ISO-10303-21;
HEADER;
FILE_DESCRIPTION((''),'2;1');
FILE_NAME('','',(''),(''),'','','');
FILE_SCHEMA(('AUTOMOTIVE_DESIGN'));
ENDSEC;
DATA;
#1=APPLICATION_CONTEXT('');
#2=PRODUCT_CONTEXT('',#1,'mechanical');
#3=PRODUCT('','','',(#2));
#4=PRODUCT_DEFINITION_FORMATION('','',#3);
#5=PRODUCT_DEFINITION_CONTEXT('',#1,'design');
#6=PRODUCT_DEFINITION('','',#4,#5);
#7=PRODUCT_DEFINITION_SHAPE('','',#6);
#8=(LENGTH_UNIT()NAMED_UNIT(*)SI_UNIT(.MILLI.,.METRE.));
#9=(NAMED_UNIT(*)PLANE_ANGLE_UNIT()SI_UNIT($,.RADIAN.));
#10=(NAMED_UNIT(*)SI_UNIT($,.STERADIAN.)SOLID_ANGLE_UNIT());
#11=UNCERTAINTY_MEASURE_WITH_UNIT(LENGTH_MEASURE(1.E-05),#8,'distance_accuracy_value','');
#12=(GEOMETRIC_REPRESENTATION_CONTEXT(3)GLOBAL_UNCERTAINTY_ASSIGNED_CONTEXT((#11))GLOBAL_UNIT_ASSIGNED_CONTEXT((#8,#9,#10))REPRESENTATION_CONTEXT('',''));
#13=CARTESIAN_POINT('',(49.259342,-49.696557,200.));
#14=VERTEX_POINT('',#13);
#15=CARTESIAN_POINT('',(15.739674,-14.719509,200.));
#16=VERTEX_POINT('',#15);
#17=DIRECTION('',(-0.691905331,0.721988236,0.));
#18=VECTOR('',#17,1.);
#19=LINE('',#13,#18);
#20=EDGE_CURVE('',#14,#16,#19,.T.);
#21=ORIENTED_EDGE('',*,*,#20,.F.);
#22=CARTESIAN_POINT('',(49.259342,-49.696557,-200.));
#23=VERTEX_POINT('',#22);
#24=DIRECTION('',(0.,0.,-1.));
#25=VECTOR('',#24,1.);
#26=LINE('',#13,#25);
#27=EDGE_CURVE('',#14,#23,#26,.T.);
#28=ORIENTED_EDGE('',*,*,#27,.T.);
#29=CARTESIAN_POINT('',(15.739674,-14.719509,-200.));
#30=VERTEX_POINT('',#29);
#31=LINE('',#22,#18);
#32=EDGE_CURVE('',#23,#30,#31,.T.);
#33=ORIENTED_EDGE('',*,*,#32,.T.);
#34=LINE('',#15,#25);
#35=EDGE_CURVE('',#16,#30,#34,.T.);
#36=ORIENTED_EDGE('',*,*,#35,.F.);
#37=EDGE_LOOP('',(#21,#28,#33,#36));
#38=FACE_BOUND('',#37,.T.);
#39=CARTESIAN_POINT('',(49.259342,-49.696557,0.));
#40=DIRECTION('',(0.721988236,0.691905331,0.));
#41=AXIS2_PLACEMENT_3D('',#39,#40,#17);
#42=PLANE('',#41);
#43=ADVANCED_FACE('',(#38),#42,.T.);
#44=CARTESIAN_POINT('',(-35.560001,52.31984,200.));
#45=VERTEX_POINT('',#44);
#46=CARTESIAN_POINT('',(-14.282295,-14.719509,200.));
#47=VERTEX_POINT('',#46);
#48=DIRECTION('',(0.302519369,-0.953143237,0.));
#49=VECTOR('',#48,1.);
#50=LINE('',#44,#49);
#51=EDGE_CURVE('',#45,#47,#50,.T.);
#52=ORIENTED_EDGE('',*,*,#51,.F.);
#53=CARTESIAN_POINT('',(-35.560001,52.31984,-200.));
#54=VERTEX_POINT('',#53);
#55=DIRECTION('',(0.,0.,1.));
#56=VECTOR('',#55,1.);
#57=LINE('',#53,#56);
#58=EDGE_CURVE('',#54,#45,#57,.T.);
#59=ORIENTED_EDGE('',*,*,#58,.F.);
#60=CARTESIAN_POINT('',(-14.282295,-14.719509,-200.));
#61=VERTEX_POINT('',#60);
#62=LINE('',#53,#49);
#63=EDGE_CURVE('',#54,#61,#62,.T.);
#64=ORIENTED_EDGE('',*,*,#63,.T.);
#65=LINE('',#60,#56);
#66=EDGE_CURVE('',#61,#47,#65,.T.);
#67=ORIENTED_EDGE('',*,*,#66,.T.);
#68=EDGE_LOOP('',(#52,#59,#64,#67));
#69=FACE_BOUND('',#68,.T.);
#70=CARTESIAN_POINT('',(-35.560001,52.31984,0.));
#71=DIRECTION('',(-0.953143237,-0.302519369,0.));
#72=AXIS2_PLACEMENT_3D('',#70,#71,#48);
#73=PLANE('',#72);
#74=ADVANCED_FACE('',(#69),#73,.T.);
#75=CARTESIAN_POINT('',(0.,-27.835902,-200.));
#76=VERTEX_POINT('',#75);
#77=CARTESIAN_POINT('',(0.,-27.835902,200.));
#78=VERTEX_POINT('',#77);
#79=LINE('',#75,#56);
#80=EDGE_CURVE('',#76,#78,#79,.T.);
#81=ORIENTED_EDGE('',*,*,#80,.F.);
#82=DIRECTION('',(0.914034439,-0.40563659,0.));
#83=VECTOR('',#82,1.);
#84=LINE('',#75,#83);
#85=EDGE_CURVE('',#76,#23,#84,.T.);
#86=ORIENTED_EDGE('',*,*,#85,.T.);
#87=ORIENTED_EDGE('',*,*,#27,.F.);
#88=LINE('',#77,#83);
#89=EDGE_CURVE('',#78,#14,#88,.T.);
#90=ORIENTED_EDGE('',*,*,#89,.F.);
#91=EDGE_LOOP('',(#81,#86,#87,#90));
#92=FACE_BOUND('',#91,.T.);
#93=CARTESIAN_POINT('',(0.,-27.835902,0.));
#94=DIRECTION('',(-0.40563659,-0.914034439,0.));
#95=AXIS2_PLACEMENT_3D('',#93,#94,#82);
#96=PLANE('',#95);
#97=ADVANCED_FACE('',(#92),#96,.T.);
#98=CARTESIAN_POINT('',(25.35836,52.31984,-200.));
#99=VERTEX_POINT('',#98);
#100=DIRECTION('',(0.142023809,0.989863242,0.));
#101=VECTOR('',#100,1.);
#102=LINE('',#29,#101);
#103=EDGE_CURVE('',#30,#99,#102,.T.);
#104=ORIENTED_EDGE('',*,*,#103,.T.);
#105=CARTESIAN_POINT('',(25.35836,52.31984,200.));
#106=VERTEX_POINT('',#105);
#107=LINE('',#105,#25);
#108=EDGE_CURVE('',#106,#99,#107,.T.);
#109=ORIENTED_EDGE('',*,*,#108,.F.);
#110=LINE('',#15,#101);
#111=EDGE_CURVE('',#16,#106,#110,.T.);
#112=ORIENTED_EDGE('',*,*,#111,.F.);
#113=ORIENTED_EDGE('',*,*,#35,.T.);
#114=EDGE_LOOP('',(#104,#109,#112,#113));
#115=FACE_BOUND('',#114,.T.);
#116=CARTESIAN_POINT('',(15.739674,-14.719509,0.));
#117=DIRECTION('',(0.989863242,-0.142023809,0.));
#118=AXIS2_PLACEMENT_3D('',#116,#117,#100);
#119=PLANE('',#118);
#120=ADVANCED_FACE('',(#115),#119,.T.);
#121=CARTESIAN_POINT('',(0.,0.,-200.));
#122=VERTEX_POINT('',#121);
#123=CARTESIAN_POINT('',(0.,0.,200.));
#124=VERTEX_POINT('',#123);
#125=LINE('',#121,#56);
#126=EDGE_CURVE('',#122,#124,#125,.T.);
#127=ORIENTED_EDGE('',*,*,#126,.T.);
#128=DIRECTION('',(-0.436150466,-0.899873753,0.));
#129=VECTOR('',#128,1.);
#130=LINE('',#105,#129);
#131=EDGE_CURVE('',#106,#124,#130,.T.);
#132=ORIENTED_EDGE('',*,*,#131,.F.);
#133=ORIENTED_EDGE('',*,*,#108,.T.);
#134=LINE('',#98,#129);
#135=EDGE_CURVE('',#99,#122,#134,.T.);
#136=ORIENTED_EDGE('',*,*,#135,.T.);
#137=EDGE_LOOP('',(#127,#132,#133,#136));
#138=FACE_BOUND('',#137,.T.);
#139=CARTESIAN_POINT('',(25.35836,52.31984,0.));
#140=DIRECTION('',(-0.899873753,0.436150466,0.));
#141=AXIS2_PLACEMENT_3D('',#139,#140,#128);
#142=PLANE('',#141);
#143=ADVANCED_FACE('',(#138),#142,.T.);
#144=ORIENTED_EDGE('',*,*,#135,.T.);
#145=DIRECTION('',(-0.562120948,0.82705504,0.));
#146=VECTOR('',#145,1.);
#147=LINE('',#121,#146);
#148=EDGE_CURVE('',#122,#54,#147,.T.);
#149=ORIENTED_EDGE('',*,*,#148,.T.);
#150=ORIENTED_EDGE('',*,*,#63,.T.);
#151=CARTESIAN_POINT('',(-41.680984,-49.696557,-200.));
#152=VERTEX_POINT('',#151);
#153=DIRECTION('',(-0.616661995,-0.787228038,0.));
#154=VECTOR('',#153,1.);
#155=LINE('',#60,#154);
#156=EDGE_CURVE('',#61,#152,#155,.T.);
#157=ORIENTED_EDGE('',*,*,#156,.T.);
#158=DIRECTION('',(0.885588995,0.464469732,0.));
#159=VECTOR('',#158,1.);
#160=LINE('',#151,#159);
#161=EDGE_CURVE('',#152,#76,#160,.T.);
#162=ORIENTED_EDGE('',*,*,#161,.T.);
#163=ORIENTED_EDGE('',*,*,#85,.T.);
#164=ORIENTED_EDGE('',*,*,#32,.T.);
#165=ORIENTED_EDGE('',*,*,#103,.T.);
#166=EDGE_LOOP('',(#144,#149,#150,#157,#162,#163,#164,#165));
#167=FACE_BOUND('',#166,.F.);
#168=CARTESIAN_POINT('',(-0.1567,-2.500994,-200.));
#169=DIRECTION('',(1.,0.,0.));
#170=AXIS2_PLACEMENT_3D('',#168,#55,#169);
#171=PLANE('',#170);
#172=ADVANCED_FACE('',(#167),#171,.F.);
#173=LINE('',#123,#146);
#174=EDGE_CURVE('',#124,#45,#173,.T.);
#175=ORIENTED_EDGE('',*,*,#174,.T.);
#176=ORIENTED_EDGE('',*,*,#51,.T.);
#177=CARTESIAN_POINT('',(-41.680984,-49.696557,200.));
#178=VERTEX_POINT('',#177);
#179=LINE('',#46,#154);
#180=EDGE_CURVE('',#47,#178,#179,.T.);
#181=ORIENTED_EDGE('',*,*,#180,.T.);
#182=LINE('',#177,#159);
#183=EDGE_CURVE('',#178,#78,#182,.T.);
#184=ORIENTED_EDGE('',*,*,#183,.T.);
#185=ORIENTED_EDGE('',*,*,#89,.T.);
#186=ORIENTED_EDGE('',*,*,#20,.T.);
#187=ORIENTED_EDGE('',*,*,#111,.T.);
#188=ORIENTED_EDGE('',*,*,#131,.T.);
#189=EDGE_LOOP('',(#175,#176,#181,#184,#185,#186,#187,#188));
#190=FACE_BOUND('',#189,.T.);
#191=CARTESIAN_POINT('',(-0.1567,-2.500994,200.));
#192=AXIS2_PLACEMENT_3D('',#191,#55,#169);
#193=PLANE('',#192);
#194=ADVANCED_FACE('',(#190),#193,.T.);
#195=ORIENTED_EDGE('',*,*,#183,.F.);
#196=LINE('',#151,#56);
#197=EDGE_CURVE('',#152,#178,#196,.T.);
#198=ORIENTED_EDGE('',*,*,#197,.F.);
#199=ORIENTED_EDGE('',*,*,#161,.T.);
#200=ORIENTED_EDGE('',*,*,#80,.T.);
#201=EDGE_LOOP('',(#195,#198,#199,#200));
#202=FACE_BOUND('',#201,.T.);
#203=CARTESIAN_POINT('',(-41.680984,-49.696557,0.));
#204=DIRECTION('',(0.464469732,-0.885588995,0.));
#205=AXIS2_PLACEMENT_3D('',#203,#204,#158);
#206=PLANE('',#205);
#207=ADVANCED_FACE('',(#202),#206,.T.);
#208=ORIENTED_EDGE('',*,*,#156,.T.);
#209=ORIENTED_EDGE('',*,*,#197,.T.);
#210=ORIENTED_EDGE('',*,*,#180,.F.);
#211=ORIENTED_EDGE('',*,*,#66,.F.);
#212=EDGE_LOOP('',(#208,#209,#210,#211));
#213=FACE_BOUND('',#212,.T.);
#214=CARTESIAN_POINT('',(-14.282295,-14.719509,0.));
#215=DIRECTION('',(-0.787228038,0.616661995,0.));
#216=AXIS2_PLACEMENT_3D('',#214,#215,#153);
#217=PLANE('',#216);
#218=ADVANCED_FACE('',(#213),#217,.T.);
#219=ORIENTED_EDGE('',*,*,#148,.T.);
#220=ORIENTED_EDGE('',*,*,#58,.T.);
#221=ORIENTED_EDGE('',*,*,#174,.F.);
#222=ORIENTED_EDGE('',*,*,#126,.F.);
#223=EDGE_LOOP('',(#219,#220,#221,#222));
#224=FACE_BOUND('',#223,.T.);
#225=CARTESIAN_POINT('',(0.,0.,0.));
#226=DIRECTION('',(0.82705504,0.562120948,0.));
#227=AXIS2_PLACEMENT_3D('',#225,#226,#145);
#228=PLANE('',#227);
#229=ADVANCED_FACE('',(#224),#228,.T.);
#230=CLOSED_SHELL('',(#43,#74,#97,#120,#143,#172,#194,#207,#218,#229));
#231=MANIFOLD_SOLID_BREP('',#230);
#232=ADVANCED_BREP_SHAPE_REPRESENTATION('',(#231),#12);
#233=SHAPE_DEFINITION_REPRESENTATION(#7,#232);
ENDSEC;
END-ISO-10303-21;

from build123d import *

# Parameters (mm, degrees)
F1_DEPTH = 200


with BuildPart() as f1:
    # F0 (on Top) → F1 (new body, symmetric)
    with BuildSketch(Plane.XY):
        Polygon((25.35836, 52.31984), (0, 0), (-35.560001, 52.31984), (-14.282295, -14.719509), (-41.680984, -49.696557), (0, -27.835902), (49.259342, -49.696557), (15.739674, -14.719509), align=None)
    extrude(amount=F1_DEPTH, both=True)


solid = f1.part
